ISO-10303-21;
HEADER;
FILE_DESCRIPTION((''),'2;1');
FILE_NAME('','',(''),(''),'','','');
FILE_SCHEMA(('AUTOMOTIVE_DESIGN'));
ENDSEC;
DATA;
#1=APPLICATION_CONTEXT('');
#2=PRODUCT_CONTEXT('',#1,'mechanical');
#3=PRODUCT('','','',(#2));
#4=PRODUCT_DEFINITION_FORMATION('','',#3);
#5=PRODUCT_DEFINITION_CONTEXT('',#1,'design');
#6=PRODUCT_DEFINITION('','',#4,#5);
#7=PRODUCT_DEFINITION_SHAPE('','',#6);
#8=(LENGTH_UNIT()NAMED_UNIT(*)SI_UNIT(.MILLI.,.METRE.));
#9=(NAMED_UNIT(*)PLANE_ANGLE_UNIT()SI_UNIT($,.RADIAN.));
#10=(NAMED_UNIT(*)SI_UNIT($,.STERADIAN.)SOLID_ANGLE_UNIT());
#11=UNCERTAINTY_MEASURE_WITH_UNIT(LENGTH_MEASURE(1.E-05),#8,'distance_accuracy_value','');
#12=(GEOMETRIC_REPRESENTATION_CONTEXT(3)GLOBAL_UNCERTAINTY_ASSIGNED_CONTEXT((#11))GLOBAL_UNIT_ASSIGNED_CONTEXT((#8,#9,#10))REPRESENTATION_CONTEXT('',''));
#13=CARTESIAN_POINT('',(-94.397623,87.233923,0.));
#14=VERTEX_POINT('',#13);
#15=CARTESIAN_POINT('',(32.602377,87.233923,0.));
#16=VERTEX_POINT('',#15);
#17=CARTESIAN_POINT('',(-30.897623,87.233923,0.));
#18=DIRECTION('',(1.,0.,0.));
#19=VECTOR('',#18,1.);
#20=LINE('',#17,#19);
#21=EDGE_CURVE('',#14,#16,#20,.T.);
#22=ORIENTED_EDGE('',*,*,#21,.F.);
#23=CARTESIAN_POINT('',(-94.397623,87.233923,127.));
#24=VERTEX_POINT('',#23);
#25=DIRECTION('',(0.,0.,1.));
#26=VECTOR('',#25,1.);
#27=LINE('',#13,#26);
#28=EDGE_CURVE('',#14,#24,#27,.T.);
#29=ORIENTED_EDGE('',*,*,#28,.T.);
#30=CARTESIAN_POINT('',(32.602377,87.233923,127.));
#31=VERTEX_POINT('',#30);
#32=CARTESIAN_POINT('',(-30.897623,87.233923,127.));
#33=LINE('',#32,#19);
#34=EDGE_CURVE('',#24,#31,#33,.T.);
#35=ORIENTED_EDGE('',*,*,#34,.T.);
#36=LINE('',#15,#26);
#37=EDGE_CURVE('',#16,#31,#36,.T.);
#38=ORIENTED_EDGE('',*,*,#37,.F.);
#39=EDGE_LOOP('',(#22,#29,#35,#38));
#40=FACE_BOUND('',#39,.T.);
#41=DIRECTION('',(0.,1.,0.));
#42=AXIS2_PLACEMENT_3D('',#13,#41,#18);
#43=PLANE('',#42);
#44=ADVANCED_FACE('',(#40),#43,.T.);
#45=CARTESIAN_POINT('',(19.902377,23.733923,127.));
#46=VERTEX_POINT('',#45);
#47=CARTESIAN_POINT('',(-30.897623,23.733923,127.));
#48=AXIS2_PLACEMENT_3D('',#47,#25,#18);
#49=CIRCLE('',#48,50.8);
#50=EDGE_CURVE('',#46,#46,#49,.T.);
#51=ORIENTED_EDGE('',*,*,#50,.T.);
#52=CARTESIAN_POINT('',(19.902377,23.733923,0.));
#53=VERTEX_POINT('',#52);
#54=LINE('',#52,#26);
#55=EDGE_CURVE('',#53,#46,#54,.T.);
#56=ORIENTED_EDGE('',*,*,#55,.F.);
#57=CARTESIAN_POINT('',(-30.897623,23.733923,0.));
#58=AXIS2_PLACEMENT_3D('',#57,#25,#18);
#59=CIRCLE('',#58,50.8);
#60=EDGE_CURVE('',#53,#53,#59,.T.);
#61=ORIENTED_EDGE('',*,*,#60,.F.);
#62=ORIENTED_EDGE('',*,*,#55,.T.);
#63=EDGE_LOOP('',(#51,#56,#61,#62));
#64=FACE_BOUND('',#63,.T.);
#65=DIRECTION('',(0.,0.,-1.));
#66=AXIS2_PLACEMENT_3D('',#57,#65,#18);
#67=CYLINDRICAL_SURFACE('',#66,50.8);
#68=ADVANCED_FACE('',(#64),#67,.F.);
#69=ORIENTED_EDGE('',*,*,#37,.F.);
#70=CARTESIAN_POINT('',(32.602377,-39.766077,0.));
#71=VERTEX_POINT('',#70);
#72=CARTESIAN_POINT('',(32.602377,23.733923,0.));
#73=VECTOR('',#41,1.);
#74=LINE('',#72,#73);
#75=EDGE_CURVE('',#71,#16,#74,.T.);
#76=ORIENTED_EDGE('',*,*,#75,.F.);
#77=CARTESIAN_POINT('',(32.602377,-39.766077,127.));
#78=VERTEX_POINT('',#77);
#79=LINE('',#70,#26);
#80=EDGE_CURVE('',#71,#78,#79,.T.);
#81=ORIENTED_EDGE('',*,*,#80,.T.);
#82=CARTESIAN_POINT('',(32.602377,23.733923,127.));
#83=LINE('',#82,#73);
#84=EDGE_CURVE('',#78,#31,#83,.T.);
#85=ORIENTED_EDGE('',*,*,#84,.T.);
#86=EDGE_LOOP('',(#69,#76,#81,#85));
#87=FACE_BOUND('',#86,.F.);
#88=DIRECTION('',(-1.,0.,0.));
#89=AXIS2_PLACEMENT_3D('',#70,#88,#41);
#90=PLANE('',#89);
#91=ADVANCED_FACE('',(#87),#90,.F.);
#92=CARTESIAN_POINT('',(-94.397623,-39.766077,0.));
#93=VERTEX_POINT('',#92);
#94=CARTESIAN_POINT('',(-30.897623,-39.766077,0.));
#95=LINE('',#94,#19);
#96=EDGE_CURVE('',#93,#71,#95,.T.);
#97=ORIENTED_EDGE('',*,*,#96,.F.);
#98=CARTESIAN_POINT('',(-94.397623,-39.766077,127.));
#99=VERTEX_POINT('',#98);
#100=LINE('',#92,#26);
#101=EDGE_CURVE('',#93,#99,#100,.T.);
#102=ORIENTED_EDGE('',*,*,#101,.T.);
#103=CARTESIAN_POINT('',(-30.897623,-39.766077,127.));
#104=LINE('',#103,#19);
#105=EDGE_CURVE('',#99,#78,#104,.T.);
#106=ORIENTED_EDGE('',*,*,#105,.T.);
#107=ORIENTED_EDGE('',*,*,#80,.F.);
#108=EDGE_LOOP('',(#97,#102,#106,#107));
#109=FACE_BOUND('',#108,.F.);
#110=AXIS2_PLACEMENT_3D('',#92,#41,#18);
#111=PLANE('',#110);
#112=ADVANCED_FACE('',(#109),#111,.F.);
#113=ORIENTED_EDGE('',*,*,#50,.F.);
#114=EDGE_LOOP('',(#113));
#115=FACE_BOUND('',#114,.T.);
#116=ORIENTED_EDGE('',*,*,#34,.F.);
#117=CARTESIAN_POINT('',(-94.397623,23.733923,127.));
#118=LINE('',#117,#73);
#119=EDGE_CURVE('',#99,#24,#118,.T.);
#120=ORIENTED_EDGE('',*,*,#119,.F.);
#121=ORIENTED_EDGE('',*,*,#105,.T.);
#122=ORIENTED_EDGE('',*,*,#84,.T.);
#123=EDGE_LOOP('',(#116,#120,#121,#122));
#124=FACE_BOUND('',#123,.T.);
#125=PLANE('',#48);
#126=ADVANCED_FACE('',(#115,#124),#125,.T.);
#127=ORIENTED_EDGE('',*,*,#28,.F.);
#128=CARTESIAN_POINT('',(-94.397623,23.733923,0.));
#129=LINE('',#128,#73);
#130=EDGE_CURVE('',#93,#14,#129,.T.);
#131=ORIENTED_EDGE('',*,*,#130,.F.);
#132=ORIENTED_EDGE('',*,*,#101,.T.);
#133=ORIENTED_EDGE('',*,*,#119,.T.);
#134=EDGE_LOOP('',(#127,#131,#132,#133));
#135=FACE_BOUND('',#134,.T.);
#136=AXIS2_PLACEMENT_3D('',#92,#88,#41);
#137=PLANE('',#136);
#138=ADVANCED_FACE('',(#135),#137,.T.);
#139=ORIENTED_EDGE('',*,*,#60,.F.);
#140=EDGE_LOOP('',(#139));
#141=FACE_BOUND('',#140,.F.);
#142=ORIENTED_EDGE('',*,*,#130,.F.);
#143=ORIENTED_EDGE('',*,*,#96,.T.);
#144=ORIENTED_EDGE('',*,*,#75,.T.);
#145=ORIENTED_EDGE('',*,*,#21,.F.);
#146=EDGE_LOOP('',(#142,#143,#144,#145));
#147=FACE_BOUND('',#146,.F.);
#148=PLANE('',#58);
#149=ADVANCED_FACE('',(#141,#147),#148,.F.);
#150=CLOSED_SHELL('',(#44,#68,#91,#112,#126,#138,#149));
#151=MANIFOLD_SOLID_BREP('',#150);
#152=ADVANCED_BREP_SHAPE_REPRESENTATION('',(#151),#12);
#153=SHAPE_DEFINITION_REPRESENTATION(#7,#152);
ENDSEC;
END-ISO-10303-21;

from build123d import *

# Parameters (mm, degrees)
F0_W     = 127
F0_H     = 127
F0_R     = 50.8
F1_DEPTH = 127
F2_DEPTH = 127


with BuildPart() as f1:
    # F0 (on Top) → F1 (new body)
    with BuildSketch(Plane.XY):
        with Locations((-30.897623, 23.733923)):
            Rectangle(F0_W, F0_H)
        with Locations((-30.897623, 23.733923)):
            Circle(F0_R, mode=Mode.SUBTRACT)
    extrude(amount=F1_DEPTH)

    # F0 (on Top) → F2 (join)
    with BuildSketch(Plane.XY):
        with Locations((-30.897623, 23.733923)):
            Rectangle(F0_W, F0_H)
        with Locations((-30.897623, 23.733923)):
            Circle(F0_R, mode=Mode.SUBTRACT)
    extrude(amount=F2_DEPTH)


solid = f1.part
